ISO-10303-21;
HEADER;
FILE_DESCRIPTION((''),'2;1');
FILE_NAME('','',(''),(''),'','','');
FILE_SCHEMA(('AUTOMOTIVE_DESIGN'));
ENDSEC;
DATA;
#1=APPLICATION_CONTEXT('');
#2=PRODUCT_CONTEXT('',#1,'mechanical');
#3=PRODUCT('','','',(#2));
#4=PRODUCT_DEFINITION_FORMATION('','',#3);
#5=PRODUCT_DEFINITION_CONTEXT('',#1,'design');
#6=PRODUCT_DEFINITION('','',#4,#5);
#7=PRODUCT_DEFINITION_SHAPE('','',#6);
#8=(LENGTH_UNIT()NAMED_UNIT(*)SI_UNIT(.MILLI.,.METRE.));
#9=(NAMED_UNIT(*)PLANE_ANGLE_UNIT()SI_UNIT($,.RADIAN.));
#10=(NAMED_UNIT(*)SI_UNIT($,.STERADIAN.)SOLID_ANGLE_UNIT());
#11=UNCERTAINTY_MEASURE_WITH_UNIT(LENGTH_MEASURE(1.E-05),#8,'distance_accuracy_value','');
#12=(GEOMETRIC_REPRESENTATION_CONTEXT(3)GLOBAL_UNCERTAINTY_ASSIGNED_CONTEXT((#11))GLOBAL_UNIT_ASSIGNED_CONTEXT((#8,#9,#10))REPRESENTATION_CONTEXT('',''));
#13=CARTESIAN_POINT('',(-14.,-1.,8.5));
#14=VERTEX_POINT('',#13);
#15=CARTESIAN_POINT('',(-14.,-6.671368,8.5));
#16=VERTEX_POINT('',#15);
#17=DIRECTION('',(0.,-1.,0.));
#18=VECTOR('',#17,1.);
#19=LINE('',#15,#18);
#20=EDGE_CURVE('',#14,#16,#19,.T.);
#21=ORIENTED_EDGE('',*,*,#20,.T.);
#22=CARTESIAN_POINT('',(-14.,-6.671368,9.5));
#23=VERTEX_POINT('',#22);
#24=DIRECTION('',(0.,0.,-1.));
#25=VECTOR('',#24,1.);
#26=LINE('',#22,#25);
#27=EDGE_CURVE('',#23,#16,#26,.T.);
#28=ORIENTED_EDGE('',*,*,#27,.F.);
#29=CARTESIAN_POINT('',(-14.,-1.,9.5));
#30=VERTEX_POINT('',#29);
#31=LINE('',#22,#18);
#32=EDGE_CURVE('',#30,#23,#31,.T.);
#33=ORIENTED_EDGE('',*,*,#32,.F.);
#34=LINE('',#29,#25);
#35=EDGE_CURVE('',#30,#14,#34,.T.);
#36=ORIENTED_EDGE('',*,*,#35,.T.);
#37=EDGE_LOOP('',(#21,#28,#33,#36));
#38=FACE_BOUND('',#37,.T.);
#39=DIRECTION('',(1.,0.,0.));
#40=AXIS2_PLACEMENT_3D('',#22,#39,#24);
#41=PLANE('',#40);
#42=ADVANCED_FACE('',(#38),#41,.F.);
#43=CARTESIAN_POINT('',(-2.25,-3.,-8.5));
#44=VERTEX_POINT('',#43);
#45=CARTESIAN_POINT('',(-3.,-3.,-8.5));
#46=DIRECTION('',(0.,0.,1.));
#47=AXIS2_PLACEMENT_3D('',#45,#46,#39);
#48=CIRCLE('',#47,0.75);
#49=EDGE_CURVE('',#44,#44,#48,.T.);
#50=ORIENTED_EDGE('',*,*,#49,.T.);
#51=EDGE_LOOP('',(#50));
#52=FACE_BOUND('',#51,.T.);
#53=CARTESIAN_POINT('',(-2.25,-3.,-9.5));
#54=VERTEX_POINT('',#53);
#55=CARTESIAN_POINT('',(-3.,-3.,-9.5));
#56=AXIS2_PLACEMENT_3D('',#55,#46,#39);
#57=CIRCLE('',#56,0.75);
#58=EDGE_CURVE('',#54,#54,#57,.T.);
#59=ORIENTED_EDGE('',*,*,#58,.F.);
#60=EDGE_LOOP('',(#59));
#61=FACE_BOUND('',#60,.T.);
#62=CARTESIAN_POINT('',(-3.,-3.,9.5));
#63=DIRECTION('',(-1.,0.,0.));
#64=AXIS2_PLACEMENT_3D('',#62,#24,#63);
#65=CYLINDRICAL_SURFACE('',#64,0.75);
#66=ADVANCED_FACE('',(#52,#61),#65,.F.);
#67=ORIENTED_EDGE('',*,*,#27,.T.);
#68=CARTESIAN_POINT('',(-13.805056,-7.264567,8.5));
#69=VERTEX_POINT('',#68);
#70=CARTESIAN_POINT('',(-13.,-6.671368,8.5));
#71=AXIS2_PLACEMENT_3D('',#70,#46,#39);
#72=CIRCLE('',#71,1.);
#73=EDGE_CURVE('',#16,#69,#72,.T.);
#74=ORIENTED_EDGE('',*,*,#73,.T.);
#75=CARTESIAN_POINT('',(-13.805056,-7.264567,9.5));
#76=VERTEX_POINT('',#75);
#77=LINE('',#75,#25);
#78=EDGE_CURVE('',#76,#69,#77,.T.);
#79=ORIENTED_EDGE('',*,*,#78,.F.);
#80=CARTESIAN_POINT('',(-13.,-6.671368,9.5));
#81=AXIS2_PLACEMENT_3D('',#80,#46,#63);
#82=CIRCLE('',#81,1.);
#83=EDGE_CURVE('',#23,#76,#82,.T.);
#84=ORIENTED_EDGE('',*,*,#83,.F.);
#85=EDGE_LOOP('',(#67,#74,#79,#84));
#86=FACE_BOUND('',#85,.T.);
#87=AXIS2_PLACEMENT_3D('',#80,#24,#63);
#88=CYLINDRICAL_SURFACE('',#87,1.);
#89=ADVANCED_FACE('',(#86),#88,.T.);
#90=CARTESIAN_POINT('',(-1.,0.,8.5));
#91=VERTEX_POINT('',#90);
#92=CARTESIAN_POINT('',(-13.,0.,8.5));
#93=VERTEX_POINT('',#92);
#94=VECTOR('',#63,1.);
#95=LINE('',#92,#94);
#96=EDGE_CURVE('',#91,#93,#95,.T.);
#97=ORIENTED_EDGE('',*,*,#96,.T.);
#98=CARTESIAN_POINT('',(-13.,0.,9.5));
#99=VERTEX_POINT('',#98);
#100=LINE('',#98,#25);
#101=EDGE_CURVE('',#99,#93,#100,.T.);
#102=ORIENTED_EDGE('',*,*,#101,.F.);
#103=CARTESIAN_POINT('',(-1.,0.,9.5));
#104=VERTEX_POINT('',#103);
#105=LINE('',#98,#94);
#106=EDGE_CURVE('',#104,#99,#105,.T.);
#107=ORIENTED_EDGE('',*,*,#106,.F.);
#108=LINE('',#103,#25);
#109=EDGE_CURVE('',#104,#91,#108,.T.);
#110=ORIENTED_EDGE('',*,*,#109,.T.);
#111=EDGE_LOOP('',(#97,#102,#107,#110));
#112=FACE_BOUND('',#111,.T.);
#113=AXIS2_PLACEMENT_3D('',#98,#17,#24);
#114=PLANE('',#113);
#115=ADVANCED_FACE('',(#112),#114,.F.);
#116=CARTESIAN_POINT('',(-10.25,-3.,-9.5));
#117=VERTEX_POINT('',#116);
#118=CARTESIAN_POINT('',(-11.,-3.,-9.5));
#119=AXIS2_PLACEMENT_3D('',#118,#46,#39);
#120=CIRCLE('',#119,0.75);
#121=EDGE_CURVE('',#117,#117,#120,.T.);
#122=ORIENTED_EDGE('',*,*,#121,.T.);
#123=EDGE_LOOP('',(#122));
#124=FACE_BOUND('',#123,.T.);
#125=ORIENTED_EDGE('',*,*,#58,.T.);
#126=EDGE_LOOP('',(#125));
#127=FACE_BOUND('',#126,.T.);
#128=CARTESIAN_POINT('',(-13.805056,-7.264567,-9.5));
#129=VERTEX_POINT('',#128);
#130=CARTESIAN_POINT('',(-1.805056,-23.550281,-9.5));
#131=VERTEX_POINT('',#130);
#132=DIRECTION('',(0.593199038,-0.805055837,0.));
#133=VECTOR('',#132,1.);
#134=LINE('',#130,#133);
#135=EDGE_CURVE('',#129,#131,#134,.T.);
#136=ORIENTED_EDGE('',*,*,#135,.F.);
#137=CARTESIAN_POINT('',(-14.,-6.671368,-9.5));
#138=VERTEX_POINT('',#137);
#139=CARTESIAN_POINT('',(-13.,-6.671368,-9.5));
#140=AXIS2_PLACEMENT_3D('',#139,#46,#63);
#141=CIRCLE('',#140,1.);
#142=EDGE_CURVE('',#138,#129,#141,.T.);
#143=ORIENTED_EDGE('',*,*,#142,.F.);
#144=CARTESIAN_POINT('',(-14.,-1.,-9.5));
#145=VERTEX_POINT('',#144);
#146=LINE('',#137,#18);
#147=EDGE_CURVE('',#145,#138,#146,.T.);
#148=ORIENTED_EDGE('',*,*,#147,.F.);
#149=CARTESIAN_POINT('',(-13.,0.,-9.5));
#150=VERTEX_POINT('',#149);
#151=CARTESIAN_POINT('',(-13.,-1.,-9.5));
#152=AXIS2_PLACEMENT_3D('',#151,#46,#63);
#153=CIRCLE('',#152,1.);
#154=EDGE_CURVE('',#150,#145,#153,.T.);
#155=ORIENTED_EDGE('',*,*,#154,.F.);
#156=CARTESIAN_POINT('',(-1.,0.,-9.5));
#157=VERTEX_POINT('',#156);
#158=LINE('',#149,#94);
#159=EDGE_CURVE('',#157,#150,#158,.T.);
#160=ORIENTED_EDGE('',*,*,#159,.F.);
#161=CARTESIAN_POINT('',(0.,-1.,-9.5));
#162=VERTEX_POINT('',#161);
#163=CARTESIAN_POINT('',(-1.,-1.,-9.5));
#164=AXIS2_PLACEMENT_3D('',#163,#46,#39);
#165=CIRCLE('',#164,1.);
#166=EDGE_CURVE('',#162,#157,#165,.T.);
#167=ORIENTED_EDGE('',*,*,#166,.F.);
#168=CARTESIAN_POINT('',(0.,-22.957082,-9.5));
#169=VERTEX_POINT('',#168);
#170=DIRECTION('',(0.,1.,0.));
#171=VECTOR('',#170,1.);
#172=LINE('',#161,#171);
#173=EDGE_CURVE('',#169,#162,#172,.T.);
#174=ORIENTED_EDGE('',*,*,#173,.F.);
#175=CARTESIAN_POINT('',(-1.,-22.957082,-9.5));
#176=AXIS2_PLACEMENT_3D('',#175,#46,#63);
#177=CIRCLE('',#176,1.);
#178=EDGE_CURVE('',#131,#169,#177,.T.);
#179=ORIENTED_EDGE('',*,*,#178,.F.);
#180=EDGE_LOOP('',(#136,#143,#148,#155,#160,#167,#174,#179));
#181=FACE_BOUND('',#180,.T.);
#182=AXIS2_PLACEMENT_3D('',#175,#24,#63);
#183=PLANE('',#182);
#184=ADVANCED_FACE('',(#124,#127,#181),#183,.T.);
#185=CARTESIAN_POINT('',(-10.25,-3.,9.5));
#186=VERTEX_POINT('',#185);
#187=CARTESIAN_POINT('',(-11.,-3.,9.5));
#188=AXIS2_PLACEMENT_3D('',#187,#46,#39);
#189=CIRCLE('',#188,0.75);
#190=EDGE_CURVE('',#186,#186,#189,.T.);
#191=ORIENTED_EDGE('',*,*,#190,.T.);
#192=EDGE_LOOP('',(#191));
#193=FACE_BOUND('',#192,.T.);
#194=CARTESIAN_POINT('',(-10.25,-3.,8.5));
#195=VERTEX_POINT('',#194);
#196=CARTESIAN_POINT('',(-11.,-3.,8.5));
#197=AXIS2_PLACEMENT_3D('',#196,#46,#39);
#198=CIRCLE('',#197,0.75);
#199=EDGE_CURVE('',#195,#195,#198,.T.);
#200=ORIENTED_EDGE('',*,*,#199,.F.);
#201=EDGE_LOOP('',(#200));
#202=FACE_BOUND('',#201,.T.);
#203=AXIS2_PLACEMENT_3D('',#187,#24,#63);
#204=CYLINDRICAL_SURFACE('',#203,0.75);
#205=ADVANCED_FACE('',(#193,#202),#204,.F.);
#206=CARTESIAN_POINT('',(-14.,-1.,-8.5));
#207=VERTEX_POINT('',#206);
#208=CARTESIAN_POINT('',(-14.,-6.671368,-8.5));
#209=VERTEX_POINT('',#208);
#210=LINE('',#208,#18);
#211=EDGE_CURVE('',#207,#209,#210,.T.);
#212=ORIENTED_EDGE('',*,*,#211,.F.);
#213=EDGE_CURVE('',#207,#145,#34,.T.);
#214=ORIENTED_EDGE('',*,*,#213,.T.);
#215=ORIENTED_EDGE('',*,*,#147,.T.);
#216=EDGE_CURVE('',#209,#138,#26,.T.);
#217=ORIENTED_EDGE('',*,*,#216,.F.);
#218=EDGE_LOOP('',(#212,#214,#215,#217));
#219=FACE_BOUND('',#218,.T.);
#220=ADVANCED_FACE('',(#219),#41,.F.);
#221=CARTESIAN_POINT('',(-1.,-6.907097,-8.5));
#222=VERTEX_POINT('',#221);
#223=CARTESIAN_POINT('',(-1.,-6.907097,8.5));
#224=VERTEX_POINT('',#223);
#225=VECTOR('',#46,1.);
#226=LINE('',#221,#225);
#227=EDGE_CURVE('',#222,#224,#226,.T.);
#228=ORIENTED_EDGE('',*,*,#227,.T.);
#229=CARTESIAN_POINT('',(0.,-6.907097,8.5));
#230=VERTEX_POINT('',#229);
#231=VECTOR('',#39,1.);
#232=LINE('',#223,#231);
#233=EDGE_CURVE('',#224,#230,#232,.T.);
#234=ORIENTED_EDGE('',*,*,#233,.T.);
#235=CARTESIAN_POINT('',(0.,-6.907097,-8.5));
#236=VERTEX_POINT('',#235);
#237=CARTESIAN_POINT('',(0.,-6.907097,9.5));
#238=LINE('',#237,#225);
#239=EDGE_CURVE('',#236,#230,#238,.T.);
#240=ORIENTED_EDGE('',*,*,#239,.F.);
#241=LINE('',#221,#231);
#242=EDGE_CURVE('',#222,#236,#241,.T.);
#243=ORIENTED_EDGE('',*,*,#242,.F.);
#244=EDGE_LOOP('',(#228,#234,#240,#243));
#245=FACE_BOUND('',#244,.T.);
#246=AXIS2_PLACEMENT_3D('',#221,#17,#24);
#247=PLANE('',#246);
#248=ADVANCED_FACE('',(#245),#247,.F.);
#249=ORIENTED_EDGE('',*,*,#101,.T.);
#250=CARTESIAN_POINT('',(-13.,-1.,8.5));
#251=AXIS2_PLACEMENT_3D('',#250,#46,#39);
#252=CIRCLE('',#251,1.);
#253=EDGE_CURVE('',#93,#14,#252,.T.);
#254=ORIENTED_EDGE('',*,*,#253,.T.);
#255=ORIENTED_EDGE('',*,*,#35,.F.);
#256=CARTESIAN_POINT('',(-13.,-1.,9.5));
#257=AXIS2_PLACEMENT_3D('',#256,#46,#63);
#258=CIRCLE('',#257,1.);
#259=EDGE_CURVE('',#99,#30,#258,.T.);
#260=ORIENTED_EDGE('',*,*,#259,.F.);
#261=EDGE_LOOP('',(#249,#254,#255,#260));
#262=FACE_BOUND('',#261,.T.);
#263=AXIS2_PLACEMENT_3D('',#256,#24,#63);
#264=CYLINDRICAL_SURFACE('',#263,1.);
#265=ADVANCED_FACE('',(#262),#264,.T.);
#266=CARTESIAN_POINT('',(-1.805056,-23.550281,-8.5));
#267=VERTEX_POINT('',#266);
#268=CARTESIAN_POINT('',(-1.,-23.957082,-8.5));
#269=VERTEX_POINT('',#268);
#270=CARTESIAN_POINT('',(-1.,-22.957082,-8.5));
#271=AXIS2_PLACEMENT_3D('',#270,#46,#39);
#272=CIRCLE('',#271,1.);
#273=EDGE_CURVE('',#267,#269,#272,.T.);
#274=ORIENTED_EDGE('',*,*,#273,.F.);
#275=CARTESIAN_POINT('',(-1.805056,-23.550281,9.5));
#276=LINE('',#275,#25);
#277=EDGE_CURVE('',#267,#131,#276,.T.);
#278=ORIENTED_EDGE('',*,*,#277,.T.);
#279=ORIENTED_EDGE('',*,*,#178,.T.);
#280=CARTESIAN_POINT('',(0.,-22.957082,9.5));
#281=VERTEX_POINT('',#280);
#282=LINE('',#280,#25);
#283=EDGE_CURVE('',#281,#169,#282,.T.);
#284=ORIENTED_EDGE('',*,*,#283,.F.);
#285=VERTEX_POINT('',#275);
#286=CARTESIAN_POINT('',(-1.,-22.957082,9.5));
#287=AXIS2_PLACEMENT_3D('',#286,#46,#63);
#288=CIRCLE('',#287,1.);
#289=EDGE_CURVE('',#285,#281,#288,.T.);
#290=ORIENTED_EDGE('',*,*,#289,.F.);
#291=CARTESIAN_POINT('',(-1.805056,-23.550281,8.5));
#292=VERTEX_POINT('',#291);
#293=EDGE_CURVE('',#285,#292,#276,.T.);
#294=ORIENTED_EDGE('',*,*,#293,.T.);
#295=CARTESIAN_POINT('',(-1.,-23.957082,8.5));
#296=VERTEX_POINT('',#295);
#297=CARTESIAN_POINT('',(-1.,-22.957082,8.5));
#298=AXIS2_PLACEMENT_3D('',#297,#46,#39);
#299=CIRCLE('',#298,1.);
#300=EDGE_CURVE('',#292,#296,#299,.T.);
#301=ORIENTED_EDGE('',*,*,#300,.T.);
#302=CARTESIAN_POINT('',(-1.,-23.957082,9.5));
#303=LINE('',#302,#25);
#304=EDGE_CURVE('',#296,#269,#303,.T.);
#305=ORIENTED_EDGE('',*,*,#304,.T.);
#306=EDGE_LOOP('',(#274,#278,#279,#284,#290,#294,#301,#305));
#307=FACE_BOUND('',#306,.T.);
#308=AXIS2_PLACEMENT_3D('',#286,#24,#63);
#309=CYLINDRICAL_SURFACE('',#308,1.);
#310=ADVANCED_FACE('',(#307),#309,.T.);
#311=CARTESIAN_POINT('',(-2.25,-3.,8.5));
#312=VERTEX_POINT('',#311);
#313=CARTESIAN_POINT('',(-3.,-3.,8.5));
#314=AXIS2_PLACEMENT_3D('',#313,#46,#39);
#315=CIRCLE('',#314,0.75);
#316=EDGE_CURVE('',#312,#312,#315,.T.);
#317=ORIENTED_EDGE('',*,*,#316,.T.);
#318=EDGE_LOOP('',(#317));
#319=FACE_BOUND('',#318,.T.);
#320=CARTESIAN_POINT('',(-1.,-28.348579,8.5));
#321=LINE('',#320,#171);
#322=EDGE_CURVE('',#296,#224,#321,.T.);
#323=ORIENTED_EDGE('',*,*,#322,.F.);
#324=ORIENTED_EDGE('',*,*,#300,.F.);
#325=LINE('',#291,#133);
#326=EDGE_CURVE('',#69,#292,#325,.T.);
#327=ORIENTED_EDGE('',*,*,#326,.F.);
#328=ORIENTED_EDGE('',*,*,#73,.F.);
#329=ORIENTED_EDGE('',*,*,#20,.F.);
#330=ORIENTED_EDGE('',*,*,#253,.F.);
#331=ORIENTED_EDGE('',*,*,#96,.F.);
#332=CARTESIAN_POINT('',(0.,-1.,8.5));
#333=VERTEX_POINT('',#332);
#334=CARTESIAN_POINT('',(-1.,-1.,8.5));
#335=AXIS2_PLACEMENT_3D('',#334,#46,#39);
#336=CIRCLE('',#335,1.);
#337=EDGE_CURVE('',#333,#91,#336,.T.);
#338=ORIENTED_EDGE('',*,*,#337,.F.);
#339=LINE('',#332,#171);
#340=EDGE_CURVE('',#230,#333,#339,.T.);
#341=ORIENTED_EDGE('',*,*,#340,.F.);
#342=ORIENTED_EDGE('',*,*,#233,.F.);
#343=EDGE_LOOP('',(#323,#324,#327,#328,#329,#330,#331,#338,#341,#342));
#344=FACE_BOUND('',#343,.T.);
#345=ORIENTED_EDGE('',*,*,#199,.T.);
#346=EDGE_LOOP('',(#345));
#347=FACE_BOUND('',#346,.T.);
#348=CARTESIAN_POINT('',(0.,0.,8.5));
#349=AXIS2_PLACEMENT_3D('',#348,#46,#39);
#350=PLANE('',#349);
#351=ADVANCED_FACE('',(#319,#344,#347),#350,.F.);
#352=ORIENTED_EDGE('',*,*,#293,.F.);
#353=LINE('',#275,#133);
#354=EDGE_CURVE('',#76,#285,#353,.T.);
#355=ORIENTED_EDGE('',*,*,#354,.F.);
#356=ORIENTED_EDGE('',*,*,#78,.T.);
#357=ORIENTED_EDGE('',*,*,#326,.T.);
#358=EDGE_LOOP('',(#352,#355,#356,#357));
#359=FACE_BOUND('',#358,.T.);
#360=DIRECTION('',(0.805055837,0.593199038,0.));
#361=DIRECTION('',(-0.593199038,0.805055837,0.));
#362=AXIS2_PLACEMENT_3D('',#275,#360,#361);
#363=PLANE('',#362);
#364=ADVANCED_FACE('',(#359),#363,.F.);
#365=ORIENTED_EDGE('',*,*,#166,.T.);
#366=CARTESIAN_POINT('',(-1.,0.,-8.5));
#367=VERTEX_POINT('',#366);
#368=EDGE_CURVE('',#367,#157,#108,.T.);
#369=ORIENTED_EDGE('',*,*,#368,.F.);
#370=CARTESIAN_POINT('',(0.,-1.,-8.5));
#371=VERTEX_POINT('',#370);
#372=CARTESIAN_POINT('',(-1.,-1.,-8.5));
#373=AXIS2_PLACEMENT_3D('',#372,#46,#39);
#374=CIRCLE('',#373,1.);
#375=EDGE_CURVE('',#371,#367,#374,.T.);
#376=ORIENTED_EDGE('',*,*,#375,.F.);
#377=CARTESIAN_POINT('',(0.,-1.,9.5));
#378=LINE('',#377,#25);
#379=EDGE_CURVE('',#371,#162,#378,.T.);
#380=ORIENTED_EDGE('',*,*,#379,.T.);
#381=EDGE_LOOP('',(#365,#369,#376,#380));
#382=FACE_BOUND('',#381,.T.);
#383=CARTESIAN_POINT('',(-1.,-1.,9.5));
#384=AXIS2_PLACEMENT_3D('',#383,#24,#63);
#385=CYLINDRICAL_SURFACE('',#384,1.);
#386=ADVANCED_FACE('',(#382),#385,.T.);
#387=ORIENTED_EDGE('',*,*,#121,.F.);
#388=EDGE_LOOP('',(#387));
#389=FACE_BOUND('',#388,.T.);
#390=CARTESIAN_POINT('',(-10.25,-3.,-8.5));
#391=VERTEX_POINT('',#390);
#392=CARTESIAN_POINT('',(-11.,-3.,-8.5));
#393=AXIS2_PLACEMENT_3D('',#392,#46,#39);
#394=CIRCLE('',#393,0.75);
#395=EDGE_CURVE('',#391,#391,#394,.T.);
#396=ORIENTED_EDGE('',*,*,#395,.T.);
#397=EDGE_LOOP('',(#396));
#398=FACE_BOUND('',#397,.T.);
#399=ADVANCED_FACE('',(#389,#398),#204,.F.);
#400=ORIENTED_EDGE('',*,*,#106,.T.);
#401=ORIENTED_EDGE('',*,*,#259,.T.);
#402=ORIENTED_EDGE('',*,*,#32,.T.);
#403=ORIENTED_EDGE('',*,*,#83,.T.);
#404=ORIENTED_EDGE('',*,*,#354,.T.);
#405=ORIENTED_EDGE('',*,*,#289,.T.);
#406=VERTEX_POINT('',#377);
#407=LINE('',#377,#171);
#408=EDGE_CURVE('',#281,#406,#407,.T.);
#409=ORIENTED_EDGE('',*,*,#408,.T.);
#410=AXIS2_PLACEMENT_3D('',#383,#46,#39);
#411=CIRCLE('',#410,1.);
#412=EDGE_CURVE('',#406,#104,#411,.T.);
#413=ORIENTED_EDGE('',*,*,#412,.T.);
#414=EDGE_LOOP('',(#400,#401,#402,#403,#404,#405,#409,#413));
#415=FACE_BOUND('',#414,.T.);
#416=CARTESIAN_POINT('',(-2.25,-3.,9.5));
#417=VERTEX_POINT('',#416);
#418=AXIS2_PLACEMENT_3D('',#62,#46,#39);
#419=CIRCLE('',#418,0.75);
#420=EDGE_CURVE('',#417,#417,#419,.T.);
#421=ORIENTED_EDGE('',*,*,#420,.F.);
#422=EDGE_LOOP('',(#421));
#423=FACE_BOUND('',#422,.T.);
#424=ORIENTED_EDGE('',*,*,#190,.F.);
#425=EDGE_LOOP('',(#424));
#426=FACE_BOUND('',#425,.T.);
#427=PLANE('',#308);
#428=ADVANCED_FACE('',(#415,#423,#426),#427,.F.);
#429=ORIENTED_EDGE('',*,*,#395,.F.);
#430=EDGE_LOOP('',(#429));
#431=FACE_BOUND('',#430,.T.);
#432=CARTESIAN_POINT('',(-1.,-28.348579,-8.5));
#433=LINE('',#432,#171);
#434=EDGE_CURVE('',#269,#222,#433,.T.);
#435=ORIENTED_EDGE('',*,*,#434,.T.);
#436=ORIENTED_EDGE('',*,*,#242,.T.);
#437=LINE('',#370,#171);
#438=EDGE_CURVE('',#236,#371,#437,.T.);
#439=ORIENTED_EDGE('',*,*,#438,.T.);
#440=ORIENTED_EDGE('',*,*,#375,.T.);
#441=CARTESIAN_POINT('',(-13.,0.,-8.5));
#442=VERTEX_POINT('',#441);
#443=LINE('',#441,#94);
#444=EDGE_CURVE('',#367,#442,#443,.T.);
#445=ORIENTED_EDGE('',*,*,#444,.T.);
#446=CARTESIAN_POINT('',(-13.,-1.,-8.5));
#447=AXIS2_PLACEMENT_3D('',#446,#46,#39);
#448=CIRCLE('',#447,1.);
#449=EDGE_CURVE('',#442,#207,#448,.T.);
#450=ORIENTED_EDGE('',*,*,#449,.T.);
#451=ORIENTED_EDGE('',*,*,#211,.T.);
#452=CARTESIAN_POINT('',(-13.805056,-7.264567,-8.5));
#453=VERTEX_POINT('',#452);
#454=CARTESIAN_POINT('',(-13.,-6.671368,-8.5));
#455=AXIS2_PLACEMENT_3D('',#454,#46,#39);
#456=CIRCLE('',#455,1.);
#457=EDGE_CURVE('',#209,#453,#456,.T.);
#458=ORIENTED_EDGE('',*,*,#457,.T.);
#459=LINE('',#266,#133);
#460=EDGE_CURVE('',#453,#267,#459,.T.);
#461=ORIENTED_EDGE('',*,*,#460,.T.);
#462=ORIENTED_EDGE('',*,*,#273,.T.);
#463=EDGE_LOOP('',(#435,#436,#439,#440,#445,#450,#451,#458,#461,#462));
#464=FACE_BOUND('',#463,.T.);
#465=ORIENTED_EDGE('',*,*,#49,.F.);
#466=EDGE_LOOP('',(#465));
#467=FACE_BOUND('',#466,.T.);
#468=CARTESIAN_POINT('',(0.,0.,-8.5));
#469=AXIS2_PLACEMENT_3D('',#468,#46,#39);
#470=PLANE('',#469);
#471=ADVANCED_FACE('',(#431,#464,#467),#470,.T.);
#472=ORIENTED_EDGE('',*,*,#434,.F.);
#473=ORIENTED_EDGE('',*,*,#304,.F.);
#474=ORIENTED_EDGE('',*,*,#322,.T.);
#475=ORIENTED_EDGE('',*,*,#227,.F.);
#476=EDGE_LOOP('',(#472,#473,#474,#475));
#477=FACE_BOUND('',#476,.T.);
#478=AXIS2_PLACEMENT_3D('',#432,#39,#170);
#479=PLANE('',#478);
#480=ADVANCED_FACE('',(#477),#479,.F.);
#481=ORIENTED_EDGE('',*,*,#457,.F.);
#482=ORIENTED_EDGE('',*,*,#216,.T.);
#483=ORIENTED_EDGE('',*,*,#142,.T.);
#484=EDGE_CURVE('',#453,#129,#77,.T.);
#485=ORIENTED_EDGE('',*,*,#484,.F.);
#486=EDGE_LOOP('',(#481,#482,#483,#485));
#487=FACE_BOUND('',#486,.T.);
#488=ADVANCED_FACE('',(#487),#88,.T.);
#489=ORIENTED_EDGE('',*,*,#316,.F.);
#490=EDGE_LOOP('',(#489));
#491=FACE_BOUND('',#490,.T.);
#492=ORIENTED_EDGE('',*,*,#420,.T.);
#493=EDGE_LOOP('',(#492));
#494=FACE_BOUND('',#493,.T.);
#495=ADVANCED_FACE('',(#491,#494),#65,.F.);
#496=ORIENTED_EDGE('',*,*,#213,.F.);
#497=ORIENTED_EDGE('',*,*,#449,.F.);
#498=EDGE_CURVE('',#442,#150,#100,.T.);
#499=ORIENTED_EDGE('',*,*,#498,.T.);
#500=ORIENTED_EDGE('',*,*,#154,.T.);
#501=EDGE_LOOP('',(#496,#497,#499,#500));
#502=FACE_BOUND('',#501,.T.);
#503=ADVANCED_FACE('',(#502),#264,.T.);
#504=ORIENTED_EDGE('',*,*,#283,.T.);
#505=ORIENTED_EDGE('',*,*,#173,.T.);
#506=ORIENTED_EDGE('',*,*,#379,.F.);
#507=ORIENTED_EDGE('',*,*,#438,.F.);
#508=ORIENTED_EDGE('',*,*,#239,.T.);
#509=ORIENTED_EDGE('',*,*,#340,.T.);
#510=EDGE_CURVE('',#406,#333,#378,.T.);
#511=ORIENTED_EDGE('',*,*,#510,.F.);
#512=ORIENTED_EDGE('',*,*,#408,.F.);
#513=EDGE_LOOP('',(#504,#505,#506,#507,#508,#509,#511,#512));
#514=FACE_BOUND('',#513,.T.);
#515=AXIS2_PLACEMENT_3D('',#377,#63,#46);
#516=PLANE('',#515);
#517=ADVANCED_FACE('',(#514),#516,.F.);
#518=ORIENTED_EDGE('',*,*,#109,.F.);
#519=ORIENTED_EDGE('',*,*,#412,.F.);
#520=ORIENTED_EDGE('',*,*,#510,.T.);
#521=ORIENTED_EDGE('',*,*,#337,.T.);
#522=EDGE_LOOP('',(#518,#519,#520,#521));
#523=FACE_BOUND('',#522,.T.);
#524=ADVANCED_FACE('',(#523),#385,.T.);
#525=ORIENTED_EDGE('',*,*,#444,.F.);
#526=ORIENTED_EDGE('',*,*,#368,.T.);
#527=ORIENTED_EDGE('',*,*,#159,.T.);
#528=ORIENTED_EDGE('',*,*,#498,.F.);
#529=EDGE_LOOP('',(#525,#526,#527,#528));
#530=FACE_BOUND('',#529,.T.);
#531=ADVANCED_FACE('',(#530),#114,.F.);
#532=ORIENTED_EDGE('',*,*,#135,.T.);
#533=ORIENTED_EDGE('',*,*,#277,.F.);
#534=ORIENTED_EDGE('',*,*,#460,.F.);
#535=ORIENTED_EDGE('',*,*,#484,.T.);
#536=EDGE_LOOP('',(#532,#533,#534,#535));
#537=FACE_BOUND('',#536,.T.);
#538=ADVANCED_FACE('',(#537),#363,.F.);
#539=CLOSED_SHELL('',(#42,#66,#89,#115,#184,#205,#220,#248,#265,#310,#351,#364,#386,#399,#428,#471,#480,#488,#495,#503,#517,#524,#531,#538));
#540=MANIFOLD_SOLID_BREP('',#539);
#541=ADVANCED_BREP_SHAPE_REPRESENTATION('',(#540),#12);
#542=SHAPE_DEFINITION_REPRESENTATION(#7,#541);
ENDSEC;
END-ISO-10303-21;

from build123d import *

# Parameters (mm, degrees)
SKETCH1_R           = 0.75
BOSS_EXTRUDE1_DEPTH = 9.5
CUT_EXTRUDE1_DEPTH  = 8.5


with BuildPart() as part:
    # Sketch1 → Boss-Extrude1 (new, symmetric)
    with BuildSketch(Plane.XY):
        with BuildLine():
            Line((0, -1), (0, -22.957082326))
            ThreePointArc((0, -22.957082326), (-0.687794809, -23.907097019), (-1.805055837, -23.550281364))
            Line((-1.805055837, -23.550281364), (-13.805055837, -7.264567078))
            ThreePointArc((-13.805055837, -7.264567078), (-13.950014694, -6.983573231), (-14, -6.67136804))
            Line((-14, -6.67136804), (-14, -1))
            ThreePointArc((-14, -1), (-13.707106781, -0.292893219), (-13, 0))
            Line((-13, 0), (-1, 0))
            ThreePointArc((-1, 0), (-0.292893219, -0.292893219), (0, -1))
        make_face()
        with Locations((-11, -3)):
            Circle(SKETCH1_R, mode=Mode.SUBTRACT)
        with Locations((-3, -3)):
            Circle(SKETCH1_R, mode=Mode.SUBTRACT)
    extrude(amount=BOSS_EXTRUDE1_DEPTH, both=True)

    # Sketch2 → Cut-Extrude1 (cut, symmetric)
    with BuildSketch(Plane.XY):
        Polygon((-1, -28.348579048), (-1, -6.907097019), (7.926418822, -6.907097019), (7.294916487, 4.746991522), (-21.667349138, 6.871135739), (-20.03469418, -23.258769395), align=None)
    extrude(amount=CUT_EXTRUDE1_DEPTH, both=True, mode=Mode.SUBTRACT)


solid = part.part
